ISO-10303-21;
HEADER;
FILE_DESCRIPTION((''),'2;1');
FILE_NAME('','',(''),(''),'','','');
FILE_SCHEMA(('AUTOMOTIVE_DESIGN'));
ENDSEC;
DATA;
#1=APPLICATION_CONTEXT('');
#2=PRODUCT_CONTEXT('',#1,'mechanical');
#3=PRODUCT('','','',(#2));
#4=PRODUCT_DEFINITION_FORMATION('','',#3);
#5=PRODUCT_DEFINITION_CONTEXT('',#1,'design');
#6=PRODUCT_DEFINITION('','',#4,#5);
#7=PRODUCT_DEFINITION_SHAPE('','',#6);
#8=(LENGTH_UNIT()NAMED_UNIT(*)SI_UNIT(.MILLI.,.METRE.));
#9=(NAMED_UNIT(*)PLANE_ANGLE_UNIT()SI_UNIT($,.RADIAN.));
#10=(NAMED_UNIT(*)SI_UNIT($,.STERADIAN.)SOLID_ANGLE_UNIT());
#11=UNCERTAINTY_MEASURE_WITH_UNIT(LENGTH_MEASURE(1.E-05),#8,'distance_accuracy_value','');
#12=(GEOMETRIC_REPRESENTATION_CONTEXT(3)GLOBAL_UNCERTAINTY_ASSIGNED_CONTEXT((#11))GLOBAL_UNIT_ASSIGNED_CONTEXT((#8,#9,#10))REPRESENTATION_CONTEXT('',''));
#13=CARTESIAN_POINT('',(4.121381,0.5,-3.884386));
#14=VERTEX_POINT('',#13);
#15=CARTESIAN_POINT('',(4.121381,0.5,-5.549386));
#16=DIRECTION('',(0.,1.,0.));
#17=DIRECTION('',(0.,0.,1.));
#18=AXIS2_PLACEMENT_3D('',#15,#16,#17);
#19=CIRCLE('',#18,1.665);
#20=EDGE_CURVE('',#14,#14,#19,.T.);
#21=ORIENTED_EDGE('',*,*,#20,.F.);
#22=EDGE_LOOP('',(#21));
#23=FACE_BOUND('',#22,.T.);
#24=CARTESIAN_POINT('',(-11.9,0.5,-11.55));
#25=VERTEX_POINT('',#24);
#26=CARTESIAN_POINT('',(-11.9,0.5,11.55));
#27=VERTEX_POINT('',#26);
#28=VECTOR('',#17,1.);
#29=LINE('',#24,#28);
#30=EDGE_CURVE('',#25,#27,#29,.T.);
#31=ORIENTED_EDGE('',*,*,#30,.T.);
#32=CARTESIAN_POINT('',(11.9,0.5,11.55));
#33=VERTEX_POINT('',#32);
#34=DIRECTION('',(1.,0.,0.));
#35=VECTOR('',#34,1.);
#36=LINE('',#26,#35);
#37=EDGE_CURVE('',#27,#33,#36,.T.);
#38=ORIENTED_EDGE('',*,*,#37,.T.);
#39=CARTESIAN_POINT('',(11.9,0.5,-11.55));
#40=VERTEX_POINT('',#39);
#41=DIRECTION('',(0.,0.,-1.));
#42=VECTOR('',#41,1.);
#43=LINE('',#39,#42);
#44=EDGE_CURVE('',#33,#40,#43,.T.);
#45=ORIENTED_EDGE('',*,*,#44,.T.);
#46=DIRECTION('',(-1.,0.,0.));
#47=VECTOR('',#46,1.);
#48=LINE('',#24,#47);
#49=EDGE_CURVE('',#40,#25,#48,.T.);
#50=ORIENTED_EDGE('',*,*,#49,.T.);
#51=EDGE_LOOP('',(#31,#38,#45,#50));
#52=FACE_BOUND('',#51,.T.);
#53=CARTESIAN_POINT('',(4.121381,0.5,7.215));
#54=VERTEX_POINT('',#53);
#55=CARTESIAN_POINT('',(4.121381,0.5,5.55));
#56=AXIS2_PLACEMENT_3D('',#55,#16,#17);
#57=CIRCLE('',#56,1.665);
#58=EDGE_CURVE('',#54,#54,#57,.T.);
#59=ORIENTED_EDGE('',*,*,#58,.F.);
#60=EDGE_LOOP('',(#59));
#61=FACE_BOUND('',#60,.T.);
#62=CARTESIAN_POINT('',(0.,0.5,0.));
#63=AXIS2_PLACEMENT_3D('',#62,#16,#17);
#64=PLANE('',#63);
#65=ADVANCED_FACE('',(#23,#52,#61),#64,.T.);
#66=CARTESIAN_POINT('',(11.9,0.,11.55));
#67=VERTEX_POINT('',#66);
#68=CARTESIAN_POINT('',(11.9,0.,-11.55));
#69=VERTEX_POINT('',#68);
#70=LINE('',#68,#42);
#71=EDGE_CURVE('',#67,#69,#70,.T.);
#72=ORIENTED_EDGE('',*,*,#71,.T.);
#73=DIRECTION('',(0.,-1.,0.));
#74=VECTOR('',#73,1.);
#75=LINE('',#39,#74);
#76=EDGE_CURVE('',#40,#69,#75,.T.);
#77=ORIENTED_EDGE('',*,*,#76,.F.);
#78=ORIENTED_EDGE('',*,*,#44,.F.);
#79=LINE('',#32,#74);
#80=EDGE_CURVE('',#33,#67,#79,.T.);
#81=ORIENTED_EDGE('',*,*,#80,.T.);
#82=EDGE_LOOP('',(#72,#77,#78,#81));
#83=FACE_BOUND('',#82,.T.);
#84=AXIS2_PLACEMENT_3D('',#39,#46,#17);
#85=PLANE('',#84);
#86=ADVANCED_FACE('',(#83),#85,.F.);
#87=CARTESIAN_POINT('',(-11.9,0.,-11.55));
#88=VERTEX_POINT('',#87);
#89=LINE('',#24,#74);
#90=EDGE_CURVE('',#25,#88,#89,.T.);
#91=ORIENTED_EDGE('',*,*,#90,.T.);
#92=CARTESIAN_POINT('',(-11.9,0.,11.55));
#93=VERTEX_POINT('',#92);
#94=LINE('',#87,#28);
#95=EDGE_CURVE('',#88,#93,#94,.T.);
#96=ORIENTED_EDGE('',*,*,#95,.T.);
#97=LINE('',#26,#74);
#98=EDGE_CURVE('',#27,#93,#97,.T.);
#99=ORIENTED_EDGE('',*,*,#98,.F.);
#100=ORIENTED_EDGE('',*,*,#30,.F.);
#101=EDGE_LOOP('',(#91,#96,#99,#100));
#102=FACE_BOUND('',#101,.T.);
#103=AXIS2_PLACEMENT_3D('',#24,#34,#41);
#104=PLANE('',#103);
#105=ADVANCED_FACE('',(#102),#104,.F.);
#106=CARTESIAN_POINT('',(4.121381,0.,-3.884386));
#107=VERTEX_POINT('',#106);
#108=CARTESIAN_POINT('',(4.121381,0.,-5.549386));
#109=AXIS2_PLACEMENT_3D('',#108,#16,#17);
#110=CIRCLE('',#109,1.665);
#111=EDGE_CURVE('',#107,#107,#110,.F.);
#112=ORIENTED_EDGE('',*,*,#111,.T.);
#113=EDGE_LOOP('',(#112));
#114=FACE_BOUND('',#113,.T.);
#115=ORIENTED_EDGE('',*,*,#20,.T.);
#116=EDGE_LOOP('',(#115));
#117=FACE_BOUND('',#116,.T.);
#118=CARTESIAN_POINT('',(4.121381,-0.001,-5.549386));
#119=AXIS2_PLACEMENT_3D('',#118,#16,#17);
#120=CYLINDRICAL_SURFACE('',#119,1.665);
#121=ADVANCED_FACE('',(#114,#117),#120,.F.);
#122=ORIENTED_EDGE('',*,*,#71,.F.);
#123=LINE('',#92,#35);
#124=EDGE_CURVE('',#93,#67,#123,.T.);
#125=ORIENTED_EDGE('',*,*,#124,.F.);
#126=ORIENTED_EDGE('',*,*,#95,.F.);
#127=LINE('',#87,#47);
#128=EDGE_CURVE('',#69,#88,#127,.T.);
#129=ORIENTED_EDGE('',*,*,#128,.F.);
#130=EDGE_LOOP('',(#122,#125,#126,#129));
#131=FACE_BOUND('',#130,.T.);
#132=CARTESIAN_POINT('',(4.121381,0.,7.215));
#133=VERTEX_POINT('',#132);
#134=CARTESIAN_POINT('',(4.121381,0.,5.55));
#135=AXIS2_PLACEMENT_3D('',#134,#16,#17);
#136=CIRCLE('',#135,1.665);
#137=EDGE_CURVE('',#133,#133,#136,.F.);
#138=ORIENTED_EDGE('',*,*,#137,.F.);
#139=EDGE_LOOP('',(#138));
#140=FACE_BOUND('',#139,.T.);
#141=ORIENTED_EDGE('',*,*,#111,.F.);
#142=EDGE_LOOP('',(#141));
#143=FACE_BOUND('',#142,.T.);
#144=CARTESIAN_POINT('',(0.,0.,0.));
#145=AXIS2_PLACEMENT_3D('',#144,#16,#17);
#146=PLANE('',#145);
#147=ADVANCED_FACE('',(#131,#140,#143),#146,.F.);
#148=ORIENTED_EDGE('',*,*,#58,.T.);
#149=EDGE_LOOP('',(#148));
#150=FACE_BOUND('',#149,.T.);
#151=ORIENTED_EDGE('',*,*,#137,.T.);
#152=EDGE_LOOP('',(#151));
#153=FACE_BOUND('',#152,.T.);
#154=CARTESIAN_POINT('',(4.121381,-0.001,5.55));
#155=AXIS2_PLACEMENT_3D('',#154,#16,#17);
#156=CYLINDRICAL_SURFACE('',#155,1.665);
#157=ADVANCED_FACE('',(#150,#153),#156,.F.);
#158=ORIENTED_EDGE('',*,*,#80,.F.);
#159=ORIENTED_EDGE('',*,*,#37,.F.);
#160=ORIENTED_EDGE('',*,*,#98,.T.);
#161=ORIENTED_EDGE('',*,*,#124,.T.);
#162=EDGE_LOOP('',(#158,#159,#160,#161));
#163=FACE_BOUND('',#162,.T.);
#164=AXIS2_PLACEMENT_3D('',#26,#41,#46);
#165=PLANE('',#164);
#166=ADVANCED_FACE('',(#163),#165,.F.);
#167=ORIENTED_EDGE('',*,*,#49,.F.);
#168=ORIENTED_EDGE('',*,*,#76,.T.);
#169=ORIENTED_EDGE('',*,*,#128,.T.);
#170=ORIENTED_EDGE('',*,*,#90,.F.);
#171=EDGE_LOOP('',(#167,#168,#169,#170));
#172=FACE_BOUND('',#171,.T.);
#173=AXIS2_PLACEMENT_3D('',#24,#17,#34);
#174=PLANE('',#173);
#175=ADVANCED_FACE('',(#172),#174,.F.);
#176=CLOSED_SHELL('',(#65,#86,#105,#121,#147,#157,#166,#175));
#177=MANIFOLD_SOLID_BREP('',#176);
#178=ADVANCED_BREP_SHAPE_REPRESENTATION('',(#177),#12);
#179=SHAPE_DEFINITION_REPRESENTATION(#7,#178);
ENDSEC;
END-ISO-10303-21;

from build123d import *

# Parameters (mm, degrees)
SKETCH1_W           = 23.8
SKETCH1_H           = 23.1
BOSS_EXTRUDE1_DEPTH = 0.5
CUT_EXTRUDE1_REACH  = 18.591
SKETCH2_R           = 1.665


with BuildPart() as part:
    # Sketch1 → Boss-Extrude1 (new body)
    with BuildSketch(Plane(origin=(0, 0, 0), x_dir=(1, 0, 0), z_dir=(0, 1, 0))):
        Rectangle(SKETCH1_W, SKETCH1_H)
    extrude(amount=BOSS_EXTRUDE1_DEPTH)

    # Sketch2 → Cut-Extrude1 (cut, up to next)
    with BuildSketch(Plane(origin=(0, 0.5, 0), x_dir=(1, 0, 0), z_dir=(0, 1, 0)), mode=Mode.PRIVATE) as cut_extrude1_sk1:
        with Locations(Location((4.121380866, 5.549386368, 0), (0, 0, 270))):
            Circle(SKETCH2_R)
    cut_extrude1_tool1 = extrude(cut_extrude1_sk1.sketch, amount=-CUT_EXTRUDE1_REACH, mode=Mode.PRIVATE) & part.part
    # Sketch2 → Cut-Extrude1 (cut, up to next)
    with BuildSketch(Plane(origin=(0, 0.5, 0), x_dir=(1, 0, 0), z_dir=(0, 1, 0)), mode=Mode.PRIVATE) as cut_extrude1_sk2:
        with Locations(Location((4.121380866, -5.55, 0), (0, 0, 270))):
            Circle(SKETCH2_R)
    cut_extrude1_tool2 = extrude(cut_extrude1_sk2.sketch, amount=-CUT_EXTRUDE1_REACH, mode=Mode.PRIVATE) & part.part
    add(cut_extrude1_tool1.solids().sort_by_distance((4.121381, 0.5, -5.549386))[0], mode=Mode.SUBTRACT)
    add(cut_extrude1_tool2.solids().sort_by_distance((4.121381, 0.5, 5.55))[0], mode=Mode.SUBTRACT)


solid = part.part
